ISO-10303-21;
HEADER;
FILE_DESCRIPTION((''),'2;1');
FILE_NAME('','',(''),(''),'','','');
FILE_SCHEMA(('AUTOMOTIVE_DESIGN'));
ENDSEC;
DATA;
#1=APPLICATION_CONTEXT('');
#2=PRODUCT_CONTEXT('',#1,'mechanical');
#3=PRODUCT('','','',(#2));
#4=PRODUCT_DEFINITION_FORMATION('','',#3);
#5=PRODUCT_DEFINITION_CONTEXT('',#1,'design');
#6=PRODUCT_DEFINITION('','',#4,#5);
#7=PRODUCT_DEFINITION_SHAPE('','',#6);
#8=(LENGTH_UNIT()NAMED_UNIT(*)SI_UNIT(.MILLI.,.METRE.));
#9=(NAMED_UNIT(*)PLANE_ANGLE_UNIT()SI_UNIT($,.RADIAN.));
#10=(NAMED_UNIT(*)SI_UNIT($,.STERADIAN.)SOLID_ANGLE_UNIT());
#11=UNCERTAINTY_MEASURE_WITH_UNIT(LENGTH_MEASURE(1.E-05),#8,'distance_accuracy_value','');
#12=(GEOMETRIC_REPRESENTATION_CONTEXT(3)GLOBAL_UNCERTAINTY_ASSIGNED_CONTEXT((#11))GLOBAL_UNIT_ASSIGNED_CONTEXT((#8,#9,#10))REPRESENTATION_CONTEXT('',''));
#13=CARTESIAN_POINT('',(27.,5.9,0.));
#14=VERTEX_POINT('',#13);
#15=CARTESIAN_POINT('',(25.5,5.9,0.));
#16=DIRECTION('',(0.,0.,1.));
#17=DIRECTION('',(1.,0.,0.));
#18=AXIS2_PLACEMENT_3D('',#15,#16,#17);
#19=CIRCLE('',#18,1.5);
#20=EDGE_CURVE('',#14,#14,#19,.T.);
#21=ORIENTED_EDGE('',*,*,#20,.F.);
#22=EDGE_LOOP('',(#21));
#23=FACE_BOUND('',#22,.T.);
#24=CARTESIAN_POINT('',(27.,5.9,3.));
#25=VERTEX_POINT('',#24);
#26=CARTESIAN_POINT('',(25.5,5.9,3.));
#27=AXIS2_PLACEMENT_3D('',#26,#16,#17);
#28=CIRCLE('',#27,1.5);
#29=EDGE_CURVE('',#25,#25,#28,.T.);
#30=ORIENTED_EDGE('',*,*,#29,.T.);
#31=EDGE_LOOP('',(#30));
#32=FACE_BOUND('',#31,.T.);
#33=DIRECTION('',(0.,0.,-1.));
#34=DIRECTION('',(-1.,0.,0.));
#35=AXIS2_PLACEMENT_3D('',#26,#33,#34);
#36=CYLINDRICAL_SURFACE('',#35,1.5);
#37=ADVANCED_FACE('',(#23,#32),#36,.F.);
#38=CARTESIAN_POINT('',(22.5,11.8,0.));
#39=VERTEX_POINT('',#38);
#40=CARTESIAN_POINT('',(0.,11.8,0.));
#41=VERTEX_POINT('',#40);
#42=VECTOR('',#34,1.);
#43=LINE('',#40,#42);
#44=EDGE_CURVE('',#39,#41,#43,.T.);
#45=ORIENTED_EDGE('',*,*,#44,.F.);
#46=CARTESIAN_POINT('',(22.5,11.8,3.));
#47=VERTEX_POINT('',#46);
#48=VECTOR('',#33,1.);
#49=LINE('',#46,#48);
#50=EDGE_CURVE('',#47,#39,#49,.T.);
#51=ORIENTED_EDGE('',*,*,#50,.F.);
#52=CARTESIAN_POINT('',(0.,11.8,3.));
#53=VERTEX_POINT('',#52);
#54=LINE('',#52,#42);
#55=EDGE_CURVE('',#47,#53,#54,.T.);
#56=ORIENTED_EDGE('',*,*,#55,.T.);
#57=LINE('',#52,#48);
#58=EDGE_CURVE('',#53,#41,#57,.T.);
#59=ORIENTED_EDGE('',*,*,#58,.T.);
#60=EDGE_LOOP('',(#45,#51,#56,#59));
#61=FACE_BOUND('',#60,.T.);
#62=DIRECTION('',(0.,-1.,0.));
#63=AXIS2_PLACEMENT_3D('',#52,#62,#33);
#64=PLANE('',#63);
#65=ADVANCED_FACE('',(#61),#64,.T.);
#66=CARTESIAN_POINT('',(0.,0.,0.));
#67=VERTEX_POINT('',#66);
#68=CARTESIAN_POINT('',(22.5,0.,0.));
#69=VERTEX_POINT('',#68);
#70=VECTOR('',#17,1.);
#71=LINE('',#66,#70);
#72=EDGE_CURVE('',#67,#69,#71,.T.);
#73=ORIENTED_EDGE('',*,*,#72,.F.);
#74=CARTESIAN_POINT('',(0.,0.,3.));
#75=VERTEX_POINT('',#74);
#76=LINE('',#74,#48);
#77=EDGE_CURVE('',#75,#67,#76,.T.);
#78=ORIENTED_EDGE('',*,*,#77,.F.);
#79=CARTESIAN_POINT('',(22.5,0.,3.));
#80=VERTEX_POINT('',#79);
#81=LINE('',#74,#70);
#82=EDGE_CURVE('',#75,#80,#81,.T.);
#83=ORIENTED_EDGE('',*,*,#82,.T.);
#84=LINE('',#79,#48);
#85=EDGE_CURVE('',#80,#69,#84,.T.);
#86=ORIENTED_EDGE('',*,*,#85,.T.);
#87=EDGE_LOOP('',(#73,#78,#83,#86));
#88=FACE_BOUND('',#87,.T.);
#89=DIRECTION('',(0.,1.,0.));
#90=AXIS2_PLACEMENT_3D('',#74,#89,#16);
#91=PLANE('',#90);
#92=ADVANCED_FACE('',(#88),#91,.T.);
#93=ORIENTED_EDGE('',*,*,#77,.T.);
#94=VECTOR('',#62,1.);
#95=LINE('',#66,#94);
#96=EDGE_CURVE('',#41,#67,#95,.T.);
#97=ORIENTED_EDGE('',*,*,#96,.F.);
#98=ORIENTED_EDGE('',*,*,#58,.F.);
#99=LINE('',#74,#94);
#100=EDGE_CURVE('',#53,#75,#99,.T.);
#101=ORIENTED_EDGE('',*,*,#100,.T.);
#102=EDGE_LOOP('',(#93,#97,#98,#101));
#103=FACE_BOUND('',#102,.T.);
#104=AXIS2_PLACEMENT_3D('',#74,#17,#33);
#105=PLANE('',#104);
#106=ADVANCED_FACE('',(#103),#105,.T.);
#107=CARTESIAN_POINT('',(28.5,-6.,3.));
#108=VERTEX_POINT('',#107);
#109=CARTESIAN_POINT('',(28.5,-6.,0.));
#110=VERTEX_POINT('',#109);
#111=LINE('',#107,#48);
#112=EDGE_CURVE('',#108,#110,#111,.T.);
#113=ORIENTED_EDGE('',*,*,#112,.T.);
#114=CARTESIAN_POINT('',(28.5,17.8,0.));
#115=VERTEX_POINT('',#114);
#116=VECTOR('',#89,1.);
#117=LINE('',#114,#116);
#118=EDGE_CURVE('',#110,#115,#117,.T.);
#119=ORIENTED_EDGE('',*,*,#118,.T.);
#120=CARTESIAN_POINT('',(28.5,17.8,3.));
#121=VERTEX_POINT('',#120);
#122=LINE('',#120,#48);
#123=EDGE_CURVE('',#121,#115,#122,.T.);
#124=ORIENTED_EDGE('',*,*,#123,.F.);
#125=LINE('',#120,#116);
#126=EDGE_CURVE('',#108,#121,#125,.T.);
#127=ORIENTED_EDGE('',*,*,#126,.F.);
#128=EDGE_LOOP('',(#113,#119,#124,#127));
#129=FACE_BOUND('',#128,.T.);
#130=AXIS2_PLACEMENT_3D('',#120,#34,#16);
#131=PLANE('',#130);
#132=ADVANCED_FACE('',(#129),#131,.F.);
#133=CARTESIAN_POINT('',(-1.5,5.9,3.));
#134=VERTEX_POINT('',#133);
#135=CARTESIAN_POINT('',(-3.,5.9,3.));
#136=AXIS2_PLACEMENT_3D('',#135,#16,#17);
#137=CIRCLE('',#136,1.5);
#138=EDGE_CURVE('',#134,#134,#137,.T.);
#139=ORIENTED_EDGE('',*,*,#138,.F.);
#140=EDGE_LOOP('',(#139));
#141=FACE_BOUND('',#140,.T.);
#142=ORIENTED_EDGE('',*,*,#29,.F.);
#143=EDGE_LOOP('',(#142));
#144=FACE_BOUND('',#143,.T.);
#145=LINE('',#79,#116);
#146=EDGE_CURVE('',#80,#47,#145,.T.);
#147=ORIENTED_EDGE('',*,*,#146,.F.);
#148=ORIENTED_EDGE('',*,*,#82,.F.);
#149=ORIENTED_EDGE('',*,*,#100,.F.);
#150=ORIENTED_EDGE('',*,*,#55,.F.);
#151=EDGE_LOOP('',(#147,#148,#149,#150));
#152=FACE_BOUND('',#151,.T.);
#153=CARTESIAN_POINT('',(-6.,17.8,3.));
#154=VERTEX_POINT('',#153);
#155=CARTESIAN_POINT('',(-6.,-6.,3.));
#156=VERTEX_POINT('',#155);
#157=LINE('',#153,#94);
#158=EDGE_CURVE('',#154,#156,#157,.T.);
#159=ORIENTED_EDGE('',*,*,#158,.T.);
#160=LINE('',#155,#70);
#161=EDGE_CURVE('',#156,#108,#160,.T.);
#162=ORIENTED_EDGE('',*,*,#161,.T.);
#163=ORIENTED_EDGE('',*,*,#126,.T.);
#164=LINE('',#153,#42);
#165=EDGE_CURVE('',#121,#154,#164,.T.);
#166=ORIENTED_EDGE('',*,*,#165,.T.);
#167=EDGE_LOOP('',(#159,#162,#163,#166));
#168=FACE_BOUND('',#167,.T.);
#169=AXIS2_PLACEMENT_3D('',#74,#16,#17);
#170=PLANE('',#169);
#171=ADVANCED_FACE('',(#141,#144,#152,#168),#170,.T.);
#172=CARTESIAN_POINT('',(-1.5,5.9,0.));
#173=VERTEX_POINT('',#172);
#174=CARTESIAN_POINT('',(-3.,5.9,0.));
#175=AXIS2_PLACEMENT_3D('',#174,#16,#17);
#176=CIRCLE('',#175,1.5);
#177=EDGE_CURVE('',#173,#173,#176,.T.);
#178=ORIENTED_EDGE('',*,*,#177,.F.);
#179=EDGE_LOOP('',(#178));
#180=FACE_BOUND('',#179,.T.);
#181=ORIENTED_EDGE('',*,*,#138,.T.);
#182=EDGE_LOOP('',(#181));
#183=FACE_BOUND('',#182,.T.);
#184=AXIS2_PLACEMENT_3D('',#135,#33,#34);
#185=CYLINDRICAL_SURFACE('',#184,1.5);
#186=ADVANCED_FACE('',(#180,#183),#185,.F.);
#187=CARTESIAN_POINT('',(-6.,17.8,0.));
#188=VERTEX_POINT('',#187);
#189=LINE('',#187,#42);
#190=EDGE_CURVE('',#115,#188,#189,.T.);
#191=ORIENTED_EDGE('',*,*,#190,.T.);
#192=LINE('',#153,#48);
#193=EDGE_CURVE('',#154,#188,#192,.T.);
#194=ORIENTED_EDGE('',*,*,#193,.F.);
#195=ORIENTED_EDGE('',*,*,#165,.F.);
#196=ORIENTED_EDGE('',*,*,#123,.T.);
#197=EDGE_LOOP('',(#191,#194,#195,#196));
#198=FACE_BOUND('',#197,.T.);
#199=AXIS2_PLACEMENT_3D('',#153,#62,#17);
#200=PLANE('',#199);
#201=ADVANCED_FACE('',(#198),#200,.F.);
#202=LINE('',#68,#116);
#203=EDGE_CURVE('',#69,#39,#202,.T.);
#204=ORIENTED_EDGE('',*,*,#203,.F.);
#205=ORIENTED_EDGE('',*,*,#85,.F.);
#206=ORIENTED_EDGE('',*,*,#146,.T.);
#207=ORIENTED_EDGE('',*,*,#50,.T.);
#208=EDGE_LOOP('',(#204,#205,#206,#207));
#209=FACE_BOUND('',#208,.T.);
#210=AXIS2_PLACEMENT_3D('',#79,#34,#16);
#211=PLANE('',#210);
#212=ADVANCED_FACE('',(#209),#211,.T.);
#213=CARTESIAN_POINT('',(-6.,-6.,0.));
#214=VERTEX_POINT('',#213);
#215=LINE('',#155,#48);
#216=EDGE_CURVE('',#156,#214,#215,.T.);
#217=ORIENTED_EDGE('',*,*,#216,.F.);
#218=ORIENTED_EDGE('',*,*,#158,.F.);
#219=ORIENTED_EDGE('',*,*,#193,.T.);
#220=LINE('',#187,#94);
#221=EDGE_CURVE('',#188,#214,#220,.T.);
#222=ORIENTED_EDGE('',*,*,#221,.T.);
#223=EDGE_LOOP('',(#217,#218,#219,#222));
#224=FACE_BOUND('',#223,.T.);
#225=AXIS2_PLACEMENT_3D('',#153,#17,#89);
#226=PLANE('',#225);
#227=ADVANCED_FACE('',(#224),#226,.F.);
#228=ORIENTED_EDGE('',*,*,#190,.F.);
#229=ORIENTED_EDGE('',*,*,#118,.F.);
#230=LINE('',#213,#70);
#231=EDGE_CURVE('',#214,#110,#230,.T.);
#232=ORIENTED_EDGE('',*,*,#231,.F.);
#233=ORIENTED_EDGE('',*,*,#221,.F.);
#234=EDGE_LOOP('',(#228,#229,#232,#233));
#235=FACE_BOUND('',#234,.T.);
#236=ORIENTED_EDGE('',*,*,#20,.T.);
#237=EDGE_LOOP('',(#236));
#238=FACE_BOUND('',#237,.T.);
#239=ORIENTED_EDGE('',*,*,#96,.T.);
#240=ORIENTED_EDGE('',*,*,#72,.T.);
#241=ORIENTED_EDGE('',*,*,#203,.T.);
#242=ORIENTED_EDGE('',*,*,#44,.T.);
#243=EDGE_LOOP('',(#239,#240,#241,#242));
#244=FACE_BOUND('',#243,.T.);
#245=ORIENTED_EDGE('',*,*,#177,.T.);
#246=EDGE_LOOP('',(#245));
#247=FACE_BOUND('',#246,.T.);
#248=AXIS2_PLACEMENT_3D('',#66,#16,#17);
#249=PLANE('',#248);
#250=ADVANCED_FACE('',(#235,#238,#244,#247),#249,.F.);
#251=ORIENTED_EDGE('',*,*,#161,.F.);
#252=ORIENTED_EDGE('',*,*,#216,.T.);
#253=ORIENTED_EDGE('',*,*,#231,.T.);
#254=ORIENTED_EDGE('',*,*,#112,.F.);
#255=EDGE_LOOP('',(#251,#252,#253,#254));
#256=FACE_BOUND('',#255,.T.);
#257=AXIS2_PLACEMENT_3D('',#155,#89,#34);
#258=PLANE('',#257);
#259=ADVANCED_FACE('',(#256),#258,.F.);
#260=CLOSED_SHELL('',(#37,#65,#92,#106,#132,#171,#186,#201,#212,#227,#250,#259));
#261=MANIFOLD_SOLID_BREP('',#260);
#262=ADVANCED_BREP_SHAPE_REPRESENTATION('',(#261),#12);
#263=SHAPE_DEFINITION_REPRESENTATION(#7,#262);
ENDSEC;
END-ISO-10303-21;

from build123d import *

# Parameters (mm, degrees)
SKETCH1_W           = 34.5
SKETCH1_H           = 23.8
SKETCH1_R           = 1.5
SKETCH1_W_2         = 22.5
SKETCH1_H_2         = 11.8
BOSS_EXTRUDE1_DEPTH = 3


with BuildPart() as part:
    # Sketch1 → Boss-Extrude1 (new body)
    with BuildSketch(Plane.XY):
        with Locations((11.25, 5.9)):
            Rectangle(SKETCH1_W, SKETCH1_H)
        with Locations((-3, 5.9)):
            Circle(SKETCH1_R, mode=Mode.SUBTRACT)
        with Locations((25.5, 5.9)):
            Circle(SKETCH1_R, mode=Mode.SUBTRACT)
        with Locations((11.25, 5.9)):
            Rectangle(SKETCH1_W_2, SKETCH1_H_2, mode=Mode.SUBTRACT)
    extrude(amount=BOSS_EXTRUDE1_DEPTH)


solid = part.part
